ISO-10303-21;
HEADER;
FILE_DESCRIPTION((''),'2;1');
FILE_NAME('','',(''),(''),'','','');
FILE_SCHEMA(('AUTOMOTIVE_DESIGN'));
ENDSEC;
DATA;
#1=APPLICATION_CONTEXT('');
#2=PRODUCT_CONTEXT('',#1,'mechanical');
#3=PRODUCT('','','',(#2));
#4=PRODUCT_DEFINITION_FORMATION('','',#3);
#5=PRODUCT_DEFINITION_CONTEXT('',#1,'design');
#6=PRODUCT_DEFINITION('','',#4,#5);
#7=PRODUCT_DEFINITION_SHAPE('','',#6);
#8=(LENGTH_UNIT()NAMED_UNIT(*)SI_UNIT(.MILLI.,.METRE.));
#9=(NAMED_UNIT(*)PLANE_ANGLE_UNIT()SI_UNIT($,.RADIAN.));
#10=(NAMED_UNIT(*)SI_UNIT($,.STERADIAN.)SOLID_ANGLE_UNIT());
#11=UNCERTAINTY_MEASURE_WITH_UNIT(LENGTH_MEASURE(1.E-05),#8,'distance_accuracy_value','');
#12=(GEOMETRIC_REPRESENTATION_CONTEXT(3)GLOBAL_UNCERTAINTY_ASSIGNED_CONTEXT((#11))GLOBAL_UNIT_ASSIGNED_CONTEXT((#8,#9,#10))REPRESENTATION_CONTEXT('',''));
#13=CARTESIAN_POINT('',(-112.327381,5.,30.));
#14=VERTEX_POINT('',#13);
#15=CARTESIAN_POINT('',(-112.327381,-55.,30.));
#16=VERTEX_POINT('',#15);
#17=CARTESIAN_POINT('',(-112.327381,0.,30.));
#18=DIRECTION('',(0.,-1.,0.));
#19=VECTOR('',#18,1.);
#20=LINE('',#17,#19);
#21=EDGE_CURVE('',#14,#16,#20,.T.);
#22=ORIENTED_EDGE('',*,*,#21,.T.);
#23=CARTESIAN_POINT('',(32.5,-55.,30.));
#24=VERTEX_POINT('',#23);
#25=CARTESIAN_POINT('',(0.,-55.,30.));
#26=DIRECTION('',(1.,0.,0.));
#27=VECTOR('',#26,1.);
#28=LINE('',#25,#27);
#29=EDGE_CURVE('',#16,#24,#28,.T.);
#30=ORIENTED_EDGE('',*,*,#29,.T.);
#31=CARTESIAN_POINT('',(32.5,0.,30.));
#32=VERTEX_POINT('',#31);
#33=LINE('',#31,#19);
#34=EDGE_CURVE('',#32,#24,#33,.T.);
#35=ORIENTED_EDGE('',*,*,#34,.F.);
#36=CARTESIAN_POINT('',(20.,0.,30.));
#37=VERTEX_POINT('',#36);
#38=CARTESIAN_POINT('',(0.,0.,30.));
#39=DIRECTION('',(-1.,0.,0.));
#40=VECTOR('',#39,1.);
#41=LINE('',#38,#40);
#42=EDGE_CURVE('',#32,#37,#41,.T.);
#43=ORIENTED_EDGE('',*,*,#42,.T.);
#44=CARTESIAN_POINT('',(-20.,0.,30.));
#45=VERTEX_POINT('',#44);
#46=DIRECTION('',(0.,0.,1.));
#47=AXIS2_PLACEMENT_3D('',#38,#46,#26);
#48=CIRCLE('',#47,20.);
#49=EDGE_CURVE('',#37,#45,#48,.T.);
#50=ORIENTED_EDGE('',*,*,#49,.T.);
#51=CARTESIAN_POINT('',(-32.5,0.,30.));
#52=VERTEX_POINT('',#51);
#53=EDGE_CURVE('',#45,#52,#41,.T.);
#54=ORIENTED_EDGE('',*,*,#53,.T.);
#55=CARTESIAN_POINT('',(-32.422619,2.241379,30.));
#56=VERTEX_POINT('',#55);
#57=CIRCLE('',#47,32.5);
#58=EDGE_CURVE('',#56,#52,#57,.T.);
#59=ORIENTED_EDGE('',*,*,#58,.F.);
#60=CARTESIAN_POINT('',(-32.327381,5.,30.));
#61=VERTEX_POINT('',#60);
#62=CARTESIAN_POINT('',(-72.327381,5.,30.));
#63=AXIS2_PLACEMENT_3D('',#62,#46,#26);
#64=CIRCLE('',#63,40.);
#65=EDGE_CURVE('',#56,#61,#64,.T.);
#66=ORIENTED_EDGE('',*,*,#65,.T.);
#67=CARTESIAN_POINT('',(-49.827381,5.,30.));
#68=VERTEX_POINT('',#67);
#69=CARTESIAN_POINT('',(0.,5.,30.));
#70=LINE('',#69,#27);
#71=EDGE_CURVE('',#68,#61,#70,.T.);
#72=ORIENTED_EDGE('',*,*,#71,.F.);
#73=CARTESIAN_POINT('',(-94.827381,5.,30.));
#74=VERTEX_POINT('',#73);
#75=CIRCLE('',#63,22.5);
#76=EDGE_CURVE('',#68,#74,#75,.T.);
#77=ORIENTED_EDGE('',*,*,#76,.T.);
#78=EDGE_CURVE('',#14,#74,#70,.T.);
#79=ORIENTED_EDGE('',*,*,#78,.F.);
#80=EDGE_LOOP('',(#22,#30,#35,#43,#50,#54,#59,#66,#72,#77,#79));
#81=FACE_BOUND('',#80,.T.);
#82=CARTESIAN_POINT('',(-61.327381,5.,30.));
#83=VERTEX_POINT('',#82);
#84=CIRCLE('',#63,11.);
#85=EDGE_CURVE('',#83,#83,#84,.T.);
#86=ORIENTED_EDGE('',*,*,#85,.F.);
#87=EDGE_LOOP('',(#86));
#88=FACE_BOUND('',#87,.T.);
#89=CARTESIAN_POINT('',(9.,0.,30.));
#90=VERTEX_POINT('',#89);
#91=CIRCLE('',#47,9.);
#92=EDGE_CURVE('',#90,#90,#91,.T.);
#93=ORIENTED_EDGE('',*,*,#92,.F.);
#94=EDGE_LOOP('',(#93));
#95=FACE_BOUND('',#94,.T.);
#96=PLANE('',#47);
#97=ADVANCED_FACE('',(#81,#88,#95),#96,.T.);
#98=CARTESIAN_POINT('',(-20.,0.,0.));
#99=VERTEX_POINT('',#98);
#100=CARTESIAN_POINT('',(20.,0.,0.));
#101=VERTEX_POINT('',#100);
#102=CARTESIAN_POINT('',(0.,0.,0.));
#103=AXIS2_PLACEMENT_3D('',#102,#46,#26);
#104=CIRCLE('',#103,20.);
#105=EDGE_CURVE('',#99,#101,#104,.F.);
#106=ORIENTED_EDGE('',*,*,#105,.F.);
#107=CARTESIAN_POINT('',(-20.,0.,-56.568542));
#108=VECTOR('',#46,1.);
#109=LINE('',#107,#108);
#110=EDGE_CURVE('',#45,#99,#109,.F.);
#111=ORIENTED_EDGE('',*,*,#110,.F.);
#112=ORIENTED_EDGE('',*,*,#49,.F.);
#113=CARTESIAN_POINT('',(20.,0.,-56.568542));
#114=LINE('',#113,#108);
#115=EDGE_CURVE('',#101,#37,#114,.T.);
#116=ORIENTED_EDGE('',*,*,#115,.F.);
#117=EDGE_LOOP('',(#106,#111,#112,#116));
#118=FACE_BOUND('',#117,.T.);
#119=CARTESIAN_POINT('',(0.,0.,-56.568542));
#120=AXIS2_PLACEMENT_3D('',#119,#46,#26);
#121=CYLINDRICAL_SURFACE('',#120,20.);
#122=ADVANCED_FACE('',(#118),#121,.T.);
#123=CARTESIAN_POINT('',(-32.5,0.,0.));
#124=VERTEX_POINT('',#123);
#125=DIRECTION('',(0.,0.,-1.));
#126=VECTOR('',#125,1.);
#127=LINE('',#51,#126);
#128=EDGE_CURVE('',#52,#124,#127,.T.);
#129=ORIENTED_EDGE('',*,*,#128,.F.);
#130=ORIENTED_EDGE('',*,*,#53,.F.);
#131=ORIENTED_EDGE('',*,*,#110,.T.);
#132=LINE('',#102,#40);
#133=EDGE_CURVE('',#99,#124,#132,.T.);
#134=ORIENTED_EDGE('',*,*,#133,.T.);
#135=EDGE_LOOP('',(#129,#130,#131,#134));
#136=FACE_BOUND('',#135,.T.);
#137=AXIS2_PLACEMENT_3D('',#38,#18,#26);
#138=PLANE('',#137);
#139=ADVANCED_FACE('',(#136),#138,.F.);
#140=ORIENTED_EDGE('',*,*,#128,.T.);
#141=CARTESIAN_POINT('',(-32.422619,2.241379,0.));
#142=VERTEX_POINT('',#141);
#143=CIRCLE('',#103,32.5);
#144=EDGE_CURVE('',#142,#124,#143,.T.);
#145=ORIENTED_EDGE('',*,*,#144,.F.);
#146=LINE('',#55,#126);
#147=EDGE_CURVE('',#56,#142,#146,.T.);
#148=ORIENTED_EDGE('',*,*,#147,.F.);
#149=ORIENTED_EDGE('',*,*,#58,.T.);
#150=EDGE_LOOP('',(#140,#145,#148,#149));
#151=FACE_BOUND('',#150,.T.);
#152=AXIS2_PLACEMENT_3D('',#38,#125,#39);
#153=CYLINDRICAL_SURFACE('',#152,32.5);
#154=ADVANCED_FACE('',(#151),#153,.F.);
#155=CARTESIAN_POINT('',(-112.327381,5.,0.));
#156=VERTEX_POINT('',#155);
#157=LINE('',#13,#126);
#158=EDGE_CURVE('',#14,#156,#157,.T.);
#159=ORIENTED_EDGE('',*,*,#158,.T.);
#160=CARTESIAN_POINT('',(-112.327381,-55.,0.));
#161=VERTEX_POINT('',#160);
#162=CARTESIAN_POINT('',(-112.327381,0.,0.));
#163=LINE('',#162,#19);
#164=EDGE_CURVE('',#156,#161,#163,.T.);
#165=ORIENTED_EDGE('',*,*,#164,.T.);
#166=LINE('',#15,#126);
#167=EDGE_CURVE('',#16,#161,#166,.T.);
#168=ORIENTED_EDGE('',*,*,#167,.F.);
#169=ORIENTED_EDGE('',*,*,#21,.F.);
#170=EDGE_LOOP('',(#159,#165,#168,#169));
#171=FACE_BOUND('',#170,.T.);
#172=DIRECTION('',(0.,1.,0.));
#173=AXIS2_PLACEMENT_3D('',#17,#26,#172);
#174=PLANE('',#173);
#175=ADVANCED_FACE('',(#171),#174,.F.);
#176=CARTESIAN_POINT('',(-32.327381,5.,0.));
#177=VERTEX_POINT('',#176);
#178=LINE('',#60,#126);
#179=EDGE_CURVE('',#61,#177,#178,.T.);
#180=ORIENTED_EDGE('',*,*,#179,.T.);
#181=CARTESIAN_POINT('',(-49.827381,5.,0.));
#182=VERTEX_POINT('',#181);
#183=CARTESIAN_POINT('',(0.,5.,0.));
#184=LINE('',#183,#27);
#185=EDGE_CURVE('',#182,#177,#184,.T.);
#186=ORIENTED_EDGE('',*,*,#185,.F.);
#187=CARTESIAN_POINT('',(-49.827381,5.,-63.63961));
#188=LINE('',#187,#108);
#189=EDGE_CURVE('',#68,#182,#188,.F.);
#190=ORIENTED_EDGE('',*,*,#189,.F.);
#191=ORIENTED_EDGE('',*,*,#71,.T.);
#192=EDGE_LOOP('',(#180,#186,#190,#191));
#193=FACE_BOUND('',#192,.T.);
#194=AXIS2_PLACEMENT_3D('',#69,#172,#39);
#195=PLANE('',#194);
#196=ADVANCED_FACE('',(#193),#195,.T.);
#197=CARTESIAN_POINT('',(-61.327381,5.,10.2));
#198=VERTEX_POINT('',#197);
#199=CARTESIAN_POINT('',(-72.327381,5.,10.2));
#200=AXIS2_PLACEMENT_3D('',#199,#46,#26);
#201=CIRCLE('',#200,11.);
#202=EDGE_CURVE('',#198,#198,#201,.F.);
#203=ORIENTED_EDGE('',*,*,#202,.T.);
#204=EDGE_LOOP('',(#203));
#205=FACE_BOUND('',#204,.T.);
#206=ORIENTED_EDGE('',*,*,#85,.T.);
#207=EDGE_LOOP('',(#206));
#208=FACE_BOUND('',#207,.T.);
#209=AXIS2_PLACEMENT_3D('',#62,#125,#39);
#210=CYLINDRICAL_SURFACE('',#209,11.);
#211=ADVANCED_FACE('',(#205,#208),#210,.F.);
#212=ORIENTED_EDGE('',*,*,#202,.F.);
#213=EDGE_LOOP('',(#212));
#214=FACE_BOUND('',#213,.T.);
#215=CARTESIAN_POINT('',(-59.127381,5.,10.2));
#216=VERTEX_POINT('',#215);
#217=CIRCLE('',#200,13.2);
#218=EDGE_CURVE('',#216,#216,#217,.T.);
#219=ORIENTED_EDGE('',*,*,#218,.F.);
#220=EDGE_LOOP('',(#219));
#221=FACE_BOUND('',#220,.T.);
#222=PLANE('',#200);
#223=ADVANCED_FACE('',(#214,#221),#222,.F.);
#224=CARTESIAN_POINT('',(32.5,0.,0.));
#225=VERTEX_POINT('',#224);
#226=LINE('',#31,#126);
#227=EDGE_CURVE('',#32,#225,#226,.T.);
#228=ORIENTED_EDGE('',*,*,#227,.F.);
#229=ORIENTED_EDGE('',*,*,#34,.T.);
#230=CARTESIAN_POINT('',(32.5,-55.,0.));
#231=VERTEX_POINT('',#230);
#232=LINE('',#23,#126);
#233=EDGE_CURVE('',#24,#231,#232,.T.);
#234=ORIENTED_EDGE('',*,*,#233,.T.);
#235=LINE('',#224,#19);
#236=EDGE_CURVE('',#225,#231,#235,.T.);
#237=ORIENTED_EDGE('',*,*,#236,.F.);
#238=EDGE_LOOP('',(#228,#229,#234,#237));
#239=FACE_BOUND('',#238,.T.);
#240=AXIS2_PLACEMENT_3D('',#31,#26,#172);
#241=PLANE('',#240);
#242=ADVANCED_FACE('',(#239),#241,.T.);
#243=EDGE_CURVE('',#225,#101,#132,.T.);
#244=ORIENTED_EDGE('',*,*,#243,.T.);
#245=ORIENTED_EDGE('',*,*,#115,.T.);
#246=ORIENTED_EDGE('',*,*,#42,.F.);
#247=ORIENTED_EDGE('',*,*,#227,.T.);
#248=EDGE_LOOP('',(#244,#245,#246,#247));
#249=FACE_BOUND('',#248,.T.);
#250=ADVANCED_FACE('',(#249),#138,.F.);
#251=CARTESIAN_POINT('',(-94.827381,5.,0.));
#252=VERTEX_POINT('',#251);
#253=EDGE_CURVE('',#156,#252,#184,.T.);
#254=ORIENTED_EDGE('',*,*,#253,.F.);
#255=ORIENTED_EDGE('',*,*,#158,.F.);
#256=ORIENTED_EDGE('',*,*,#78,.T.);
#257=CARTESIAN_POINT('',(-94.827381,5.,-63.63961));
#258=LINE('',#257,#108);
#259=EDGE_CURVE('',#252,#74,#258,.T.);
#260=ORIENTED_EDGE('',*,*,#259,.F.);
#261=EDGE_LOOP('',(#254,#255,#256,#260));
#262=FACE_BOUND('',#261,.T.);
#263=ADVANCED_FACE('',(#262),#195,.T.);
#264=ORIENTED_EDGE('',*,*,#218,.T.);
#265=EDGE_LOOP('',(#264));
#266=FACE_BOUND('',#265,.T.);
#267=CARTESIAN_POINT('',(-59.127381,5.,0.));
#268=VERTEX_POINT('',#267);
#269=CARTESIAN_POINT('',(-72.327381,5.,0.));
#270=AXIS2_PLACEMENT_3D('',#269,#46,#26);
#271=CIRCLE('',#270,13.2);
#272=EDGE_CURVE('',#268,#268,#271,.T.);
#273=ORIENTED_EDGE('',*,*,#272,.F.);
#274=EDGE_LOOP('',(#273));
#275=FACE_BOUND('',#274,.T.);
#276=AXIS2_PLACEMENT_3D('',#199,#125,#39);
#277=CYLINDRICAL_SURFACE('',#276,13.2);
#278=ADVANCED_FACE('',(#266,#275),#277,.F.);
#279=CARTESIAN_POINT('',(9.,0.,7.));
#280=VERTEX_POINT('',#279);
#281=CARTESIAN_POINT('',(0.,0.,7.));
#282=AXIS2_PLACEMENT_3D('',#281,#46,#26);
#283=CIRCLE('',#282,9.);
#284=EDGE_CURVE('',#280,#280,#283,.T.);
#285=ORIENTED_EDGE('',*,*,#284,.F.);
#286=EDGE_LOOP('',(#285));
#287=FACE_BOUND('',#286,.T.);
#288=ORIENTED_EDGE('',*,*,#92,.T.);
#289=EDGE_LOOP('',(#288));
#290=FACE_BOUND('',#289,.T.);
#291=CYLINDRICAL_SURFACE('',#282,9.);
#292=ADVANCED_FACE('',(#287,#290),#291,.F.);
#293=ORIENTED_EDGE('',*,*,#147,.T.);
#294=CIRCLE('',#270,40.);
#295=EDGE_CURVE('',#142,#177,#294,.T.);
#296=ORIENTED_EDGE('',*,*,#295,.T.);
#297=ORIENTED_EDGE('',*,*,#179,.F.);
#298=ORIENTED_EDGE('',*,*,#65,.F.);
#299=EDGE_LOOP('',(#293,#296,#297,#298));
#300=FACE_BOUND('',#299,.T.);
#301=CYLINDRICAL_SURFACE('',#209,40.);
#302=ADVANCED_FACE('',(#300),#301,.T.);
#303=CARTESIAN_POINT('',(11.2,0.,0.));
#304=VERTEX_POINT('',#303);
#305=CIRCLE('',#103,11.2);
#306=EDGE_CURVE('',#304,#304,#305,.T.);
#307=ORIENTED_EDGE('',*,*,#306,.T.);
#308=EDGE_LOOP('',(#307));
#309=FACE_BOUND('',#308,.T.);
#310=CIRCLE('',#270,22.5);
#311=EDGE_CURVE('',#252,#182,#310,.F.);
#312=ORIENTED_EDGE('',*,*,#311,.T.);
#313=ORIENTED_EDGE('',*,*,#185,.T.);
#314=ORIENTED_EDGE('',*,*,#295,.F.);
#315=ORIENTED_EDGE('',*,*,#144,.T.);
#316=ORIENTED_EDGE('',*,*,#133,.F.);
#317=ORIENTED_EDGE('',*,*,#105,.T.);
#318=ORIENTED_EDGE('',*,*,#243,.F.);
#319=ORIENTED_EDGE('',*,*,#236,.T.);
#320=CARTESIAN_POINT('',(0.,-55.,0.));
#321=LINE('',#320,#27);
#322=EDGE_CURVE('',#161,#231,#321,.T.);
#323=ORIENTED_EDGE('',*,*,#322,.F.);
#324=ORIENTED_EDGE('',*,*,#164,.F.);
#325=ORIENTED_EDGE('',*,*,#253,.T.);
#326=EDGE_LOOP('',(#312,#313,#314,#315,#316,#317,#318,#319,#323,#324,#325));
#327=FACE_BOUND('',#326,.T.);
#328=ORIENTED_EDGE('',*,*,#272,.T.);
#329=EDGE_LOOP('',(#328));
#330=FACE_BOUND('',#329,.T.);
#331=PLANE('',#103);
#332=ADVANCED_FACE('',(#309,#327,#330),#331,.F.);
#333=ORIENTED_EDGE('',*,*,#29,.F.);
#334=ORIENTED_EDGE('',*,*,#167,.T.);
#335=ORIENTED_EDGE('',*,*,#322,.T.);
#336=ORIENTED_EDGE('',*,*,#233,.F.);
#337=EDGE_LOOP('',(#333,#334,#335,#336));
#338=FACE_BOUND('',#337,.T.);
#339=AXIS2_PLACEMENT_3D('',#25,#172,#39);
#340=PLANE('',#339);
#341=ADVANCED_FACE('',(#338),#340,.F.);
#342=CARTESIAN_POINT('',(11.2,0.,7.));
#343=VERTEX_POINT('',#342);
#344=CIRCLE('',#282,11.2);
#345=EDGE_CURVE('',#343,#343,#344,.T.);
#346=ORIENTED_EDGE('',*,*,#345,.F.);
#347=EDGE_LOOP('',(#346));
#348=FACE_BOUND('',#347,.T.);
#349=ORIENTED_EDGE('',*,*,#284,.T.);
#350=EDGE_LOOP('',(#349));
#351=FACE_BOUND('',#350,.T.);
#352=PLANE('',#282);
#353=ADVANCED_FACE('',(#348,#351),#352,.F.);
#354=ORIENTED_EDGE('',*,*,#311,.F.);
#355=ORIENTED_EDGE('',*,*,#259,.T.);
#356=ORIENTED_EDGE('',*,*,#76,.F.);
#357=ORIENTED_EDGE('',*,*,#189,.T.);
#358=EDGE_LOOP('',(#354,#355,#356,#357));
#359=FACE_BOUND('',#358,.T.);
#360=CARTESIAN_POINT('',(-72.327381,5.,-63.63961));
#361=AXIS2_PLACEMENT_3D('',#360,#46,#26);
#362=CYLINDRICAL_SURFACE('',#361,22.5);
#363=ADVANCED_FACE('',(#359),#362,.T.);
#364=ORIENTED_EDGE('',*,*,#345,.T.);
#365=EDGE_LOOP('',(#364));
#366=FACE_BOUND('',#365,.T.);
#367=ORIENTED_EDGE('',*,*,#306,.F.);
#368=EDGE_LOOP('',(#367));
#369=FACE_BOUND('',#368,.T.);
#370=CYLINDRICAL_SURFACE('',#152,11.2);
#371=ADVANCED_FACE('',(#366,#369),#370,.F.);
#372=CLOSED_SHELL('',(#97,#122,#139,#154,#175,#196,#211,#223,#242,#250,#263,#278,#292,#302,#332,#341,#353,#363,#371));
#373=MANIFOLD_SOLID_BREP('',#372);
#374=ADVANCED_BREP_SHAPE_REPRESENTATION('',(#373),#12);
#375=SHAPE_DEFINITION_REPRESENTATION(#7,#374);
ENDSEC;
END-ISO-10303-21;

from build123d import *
from build123d.topology import SkipClean

# Parameters (mm, degrees)
BOSS_EXTRUDE2_DEPTH = 30
SKETCH3_R           = 20
SKETCH3_R_2         = 11.2
BOSS_EXTRUDE3_DEPTH = 30
BOSS_EXTRUDE5_START = 7
SKETCH3_7_R         = 11.2
SKETCH3_7_R_2       = 9
BOSS_EXTRUDE5_DEPTH = 23
BOSS_EXTRUDE6_START = 30
SKETCH4_R           = 22.5
BOSS_EXTRUDE6_DEPTH = 30
SKETCH4_3_R         = 13.2
CUT_EXTRUDE3_DEPTH  = 10.2
SKETCH4_5_R         = 11
CUT_EXTRUDE5_DEPTH  = 129.617418947


with BuildPart() as part:
    # Sketch1 → Boss-Extrude2 (new body)
    with BuildSketch(Plane.XY):
        with BuildLine():
            ThreePointArc((-32.422618907, 2.241379763), (-73.707512578, -34.97618336), (-112.327380707, 5))
            Line((-112.327380707, 5), (-112.327380707, -55))
            Line((-112.327380707, -55), (-32.5, -55))
            Line((-32.5, -55), (-32.5, 0))
            ThreePointArc((-32.5, 0), (-32.480648966, 1.121357556), (-32.422618907, 2.241379763))
        make_face()
        with BuildLine():
            Line((-32.327380707, 5), (-62.327380707, 5))
            ThreePointArc((-62.327380707, 5), (-72.327380707, -5), (-82.327380707, 5))
            Line((-82.327380707, 5), (-112.327380707, 5))
            ThreePointArc((-112.327380707, 5), (-73.707512578, -34.97618336), (-32.422618907, 2.241379763))
            ThreePointArc((-32.422618907, 2.241379763), (-32.351197348, 3.619868129), (-32.327380707, 5))
        make_face()
        with BuildLine():
            Line((32.5, -55), (32.5, 0))
            ThreePointArc((32.5, 0), (0, -32.5), (-32.5, 0))
            Line((-32.5, 0), (-32.5, -55))
            Line((-32.5, -55), (-32.327380707, -55))
            Line((-32.327380707, -55), (32.5, -55))
        make_face()
        with BuildLine():
            ThreePointArc((-32.5, 0), (0, -32.5), (32.5, 0))
            Line((32.5, 0), (11.2, 0))
            ThreePointArc((11.2, 0), (0, -11.2), (-11.2, 0))
            Line((-11.2, 0), (-32.5, 0))
        make_face()
    extrude(amount=BOSS_EXTRUDE2_DEPTH)

    # Sketch3 → Boss-Extrude3 (add)
    with SkipClean():  # the faces are left unmerged after this step: merging them gives an invalid solid
        with BuildSketch(Plane.XY):
            Circle(SKETCH3_R)
            Circle(SKETCH3_R_2, mode=Mode.SUBTRACT)
        extrude(amount=BOSS_EXTRUDE3_DEPTH)

    # Sketch3<7> → Boss-Extrude5 (add)
    with SkipClean():  # the faces are left unmerged after this step: merging them gives an invalid solid
        with BuildSketch(Plane.XY.offset(BOSS_EXTRUDE5_START)):
            Circle(SKETCH3_7_R)
            Circle(SKETCH3_7_R_2, mode=Mode.SUBTRACT)
        extrude(amount=BOSS_EXTRUDE5_DEPTH)

    # Sketch4 → Boss-Extrude6 (add)
    with SkipClean():  # the faces are left unmerged after this step: merging them gives an invalid solid
        with BuildSketch(Plane.XY.offset(BOSS_EXTRUDE6_START)):
            with Locations((-72.327380707, 5)):
                Circle(SKETCH4_R)
        extrude(amount=-BOSS_EXTRUDE6_DEPTH)

    # Sketch4<3> → Cut-Extrude3 (cut)
    with SkipClean():  # the faces are left unmerged after this step: merging them gives an invalid solid
        with BuildSketch(Plane.XY):
            with Locations((-72.327380707, 5)):
                Circle(SKETCH4_3_R)
        extrude(amount=CUT_EXTRUDE3_DEPTH, mode=Mode.SUBTRACT)

    # Sketch4<5> → Cut-Extrude5 (cut, through all)
    with SkipClean():  # the faces are left unmerged after this step: merging them gives an invalid solid
        with BuildSketch(Plane.XY):
            with Locations((-72.327380707, 5)):
                Circle(SKETCH4_5_R)
        extrude(amount=CUT_EXTRUDE5_DEPTH, mode=Mode.SUBTRACT)


solid = part.part
